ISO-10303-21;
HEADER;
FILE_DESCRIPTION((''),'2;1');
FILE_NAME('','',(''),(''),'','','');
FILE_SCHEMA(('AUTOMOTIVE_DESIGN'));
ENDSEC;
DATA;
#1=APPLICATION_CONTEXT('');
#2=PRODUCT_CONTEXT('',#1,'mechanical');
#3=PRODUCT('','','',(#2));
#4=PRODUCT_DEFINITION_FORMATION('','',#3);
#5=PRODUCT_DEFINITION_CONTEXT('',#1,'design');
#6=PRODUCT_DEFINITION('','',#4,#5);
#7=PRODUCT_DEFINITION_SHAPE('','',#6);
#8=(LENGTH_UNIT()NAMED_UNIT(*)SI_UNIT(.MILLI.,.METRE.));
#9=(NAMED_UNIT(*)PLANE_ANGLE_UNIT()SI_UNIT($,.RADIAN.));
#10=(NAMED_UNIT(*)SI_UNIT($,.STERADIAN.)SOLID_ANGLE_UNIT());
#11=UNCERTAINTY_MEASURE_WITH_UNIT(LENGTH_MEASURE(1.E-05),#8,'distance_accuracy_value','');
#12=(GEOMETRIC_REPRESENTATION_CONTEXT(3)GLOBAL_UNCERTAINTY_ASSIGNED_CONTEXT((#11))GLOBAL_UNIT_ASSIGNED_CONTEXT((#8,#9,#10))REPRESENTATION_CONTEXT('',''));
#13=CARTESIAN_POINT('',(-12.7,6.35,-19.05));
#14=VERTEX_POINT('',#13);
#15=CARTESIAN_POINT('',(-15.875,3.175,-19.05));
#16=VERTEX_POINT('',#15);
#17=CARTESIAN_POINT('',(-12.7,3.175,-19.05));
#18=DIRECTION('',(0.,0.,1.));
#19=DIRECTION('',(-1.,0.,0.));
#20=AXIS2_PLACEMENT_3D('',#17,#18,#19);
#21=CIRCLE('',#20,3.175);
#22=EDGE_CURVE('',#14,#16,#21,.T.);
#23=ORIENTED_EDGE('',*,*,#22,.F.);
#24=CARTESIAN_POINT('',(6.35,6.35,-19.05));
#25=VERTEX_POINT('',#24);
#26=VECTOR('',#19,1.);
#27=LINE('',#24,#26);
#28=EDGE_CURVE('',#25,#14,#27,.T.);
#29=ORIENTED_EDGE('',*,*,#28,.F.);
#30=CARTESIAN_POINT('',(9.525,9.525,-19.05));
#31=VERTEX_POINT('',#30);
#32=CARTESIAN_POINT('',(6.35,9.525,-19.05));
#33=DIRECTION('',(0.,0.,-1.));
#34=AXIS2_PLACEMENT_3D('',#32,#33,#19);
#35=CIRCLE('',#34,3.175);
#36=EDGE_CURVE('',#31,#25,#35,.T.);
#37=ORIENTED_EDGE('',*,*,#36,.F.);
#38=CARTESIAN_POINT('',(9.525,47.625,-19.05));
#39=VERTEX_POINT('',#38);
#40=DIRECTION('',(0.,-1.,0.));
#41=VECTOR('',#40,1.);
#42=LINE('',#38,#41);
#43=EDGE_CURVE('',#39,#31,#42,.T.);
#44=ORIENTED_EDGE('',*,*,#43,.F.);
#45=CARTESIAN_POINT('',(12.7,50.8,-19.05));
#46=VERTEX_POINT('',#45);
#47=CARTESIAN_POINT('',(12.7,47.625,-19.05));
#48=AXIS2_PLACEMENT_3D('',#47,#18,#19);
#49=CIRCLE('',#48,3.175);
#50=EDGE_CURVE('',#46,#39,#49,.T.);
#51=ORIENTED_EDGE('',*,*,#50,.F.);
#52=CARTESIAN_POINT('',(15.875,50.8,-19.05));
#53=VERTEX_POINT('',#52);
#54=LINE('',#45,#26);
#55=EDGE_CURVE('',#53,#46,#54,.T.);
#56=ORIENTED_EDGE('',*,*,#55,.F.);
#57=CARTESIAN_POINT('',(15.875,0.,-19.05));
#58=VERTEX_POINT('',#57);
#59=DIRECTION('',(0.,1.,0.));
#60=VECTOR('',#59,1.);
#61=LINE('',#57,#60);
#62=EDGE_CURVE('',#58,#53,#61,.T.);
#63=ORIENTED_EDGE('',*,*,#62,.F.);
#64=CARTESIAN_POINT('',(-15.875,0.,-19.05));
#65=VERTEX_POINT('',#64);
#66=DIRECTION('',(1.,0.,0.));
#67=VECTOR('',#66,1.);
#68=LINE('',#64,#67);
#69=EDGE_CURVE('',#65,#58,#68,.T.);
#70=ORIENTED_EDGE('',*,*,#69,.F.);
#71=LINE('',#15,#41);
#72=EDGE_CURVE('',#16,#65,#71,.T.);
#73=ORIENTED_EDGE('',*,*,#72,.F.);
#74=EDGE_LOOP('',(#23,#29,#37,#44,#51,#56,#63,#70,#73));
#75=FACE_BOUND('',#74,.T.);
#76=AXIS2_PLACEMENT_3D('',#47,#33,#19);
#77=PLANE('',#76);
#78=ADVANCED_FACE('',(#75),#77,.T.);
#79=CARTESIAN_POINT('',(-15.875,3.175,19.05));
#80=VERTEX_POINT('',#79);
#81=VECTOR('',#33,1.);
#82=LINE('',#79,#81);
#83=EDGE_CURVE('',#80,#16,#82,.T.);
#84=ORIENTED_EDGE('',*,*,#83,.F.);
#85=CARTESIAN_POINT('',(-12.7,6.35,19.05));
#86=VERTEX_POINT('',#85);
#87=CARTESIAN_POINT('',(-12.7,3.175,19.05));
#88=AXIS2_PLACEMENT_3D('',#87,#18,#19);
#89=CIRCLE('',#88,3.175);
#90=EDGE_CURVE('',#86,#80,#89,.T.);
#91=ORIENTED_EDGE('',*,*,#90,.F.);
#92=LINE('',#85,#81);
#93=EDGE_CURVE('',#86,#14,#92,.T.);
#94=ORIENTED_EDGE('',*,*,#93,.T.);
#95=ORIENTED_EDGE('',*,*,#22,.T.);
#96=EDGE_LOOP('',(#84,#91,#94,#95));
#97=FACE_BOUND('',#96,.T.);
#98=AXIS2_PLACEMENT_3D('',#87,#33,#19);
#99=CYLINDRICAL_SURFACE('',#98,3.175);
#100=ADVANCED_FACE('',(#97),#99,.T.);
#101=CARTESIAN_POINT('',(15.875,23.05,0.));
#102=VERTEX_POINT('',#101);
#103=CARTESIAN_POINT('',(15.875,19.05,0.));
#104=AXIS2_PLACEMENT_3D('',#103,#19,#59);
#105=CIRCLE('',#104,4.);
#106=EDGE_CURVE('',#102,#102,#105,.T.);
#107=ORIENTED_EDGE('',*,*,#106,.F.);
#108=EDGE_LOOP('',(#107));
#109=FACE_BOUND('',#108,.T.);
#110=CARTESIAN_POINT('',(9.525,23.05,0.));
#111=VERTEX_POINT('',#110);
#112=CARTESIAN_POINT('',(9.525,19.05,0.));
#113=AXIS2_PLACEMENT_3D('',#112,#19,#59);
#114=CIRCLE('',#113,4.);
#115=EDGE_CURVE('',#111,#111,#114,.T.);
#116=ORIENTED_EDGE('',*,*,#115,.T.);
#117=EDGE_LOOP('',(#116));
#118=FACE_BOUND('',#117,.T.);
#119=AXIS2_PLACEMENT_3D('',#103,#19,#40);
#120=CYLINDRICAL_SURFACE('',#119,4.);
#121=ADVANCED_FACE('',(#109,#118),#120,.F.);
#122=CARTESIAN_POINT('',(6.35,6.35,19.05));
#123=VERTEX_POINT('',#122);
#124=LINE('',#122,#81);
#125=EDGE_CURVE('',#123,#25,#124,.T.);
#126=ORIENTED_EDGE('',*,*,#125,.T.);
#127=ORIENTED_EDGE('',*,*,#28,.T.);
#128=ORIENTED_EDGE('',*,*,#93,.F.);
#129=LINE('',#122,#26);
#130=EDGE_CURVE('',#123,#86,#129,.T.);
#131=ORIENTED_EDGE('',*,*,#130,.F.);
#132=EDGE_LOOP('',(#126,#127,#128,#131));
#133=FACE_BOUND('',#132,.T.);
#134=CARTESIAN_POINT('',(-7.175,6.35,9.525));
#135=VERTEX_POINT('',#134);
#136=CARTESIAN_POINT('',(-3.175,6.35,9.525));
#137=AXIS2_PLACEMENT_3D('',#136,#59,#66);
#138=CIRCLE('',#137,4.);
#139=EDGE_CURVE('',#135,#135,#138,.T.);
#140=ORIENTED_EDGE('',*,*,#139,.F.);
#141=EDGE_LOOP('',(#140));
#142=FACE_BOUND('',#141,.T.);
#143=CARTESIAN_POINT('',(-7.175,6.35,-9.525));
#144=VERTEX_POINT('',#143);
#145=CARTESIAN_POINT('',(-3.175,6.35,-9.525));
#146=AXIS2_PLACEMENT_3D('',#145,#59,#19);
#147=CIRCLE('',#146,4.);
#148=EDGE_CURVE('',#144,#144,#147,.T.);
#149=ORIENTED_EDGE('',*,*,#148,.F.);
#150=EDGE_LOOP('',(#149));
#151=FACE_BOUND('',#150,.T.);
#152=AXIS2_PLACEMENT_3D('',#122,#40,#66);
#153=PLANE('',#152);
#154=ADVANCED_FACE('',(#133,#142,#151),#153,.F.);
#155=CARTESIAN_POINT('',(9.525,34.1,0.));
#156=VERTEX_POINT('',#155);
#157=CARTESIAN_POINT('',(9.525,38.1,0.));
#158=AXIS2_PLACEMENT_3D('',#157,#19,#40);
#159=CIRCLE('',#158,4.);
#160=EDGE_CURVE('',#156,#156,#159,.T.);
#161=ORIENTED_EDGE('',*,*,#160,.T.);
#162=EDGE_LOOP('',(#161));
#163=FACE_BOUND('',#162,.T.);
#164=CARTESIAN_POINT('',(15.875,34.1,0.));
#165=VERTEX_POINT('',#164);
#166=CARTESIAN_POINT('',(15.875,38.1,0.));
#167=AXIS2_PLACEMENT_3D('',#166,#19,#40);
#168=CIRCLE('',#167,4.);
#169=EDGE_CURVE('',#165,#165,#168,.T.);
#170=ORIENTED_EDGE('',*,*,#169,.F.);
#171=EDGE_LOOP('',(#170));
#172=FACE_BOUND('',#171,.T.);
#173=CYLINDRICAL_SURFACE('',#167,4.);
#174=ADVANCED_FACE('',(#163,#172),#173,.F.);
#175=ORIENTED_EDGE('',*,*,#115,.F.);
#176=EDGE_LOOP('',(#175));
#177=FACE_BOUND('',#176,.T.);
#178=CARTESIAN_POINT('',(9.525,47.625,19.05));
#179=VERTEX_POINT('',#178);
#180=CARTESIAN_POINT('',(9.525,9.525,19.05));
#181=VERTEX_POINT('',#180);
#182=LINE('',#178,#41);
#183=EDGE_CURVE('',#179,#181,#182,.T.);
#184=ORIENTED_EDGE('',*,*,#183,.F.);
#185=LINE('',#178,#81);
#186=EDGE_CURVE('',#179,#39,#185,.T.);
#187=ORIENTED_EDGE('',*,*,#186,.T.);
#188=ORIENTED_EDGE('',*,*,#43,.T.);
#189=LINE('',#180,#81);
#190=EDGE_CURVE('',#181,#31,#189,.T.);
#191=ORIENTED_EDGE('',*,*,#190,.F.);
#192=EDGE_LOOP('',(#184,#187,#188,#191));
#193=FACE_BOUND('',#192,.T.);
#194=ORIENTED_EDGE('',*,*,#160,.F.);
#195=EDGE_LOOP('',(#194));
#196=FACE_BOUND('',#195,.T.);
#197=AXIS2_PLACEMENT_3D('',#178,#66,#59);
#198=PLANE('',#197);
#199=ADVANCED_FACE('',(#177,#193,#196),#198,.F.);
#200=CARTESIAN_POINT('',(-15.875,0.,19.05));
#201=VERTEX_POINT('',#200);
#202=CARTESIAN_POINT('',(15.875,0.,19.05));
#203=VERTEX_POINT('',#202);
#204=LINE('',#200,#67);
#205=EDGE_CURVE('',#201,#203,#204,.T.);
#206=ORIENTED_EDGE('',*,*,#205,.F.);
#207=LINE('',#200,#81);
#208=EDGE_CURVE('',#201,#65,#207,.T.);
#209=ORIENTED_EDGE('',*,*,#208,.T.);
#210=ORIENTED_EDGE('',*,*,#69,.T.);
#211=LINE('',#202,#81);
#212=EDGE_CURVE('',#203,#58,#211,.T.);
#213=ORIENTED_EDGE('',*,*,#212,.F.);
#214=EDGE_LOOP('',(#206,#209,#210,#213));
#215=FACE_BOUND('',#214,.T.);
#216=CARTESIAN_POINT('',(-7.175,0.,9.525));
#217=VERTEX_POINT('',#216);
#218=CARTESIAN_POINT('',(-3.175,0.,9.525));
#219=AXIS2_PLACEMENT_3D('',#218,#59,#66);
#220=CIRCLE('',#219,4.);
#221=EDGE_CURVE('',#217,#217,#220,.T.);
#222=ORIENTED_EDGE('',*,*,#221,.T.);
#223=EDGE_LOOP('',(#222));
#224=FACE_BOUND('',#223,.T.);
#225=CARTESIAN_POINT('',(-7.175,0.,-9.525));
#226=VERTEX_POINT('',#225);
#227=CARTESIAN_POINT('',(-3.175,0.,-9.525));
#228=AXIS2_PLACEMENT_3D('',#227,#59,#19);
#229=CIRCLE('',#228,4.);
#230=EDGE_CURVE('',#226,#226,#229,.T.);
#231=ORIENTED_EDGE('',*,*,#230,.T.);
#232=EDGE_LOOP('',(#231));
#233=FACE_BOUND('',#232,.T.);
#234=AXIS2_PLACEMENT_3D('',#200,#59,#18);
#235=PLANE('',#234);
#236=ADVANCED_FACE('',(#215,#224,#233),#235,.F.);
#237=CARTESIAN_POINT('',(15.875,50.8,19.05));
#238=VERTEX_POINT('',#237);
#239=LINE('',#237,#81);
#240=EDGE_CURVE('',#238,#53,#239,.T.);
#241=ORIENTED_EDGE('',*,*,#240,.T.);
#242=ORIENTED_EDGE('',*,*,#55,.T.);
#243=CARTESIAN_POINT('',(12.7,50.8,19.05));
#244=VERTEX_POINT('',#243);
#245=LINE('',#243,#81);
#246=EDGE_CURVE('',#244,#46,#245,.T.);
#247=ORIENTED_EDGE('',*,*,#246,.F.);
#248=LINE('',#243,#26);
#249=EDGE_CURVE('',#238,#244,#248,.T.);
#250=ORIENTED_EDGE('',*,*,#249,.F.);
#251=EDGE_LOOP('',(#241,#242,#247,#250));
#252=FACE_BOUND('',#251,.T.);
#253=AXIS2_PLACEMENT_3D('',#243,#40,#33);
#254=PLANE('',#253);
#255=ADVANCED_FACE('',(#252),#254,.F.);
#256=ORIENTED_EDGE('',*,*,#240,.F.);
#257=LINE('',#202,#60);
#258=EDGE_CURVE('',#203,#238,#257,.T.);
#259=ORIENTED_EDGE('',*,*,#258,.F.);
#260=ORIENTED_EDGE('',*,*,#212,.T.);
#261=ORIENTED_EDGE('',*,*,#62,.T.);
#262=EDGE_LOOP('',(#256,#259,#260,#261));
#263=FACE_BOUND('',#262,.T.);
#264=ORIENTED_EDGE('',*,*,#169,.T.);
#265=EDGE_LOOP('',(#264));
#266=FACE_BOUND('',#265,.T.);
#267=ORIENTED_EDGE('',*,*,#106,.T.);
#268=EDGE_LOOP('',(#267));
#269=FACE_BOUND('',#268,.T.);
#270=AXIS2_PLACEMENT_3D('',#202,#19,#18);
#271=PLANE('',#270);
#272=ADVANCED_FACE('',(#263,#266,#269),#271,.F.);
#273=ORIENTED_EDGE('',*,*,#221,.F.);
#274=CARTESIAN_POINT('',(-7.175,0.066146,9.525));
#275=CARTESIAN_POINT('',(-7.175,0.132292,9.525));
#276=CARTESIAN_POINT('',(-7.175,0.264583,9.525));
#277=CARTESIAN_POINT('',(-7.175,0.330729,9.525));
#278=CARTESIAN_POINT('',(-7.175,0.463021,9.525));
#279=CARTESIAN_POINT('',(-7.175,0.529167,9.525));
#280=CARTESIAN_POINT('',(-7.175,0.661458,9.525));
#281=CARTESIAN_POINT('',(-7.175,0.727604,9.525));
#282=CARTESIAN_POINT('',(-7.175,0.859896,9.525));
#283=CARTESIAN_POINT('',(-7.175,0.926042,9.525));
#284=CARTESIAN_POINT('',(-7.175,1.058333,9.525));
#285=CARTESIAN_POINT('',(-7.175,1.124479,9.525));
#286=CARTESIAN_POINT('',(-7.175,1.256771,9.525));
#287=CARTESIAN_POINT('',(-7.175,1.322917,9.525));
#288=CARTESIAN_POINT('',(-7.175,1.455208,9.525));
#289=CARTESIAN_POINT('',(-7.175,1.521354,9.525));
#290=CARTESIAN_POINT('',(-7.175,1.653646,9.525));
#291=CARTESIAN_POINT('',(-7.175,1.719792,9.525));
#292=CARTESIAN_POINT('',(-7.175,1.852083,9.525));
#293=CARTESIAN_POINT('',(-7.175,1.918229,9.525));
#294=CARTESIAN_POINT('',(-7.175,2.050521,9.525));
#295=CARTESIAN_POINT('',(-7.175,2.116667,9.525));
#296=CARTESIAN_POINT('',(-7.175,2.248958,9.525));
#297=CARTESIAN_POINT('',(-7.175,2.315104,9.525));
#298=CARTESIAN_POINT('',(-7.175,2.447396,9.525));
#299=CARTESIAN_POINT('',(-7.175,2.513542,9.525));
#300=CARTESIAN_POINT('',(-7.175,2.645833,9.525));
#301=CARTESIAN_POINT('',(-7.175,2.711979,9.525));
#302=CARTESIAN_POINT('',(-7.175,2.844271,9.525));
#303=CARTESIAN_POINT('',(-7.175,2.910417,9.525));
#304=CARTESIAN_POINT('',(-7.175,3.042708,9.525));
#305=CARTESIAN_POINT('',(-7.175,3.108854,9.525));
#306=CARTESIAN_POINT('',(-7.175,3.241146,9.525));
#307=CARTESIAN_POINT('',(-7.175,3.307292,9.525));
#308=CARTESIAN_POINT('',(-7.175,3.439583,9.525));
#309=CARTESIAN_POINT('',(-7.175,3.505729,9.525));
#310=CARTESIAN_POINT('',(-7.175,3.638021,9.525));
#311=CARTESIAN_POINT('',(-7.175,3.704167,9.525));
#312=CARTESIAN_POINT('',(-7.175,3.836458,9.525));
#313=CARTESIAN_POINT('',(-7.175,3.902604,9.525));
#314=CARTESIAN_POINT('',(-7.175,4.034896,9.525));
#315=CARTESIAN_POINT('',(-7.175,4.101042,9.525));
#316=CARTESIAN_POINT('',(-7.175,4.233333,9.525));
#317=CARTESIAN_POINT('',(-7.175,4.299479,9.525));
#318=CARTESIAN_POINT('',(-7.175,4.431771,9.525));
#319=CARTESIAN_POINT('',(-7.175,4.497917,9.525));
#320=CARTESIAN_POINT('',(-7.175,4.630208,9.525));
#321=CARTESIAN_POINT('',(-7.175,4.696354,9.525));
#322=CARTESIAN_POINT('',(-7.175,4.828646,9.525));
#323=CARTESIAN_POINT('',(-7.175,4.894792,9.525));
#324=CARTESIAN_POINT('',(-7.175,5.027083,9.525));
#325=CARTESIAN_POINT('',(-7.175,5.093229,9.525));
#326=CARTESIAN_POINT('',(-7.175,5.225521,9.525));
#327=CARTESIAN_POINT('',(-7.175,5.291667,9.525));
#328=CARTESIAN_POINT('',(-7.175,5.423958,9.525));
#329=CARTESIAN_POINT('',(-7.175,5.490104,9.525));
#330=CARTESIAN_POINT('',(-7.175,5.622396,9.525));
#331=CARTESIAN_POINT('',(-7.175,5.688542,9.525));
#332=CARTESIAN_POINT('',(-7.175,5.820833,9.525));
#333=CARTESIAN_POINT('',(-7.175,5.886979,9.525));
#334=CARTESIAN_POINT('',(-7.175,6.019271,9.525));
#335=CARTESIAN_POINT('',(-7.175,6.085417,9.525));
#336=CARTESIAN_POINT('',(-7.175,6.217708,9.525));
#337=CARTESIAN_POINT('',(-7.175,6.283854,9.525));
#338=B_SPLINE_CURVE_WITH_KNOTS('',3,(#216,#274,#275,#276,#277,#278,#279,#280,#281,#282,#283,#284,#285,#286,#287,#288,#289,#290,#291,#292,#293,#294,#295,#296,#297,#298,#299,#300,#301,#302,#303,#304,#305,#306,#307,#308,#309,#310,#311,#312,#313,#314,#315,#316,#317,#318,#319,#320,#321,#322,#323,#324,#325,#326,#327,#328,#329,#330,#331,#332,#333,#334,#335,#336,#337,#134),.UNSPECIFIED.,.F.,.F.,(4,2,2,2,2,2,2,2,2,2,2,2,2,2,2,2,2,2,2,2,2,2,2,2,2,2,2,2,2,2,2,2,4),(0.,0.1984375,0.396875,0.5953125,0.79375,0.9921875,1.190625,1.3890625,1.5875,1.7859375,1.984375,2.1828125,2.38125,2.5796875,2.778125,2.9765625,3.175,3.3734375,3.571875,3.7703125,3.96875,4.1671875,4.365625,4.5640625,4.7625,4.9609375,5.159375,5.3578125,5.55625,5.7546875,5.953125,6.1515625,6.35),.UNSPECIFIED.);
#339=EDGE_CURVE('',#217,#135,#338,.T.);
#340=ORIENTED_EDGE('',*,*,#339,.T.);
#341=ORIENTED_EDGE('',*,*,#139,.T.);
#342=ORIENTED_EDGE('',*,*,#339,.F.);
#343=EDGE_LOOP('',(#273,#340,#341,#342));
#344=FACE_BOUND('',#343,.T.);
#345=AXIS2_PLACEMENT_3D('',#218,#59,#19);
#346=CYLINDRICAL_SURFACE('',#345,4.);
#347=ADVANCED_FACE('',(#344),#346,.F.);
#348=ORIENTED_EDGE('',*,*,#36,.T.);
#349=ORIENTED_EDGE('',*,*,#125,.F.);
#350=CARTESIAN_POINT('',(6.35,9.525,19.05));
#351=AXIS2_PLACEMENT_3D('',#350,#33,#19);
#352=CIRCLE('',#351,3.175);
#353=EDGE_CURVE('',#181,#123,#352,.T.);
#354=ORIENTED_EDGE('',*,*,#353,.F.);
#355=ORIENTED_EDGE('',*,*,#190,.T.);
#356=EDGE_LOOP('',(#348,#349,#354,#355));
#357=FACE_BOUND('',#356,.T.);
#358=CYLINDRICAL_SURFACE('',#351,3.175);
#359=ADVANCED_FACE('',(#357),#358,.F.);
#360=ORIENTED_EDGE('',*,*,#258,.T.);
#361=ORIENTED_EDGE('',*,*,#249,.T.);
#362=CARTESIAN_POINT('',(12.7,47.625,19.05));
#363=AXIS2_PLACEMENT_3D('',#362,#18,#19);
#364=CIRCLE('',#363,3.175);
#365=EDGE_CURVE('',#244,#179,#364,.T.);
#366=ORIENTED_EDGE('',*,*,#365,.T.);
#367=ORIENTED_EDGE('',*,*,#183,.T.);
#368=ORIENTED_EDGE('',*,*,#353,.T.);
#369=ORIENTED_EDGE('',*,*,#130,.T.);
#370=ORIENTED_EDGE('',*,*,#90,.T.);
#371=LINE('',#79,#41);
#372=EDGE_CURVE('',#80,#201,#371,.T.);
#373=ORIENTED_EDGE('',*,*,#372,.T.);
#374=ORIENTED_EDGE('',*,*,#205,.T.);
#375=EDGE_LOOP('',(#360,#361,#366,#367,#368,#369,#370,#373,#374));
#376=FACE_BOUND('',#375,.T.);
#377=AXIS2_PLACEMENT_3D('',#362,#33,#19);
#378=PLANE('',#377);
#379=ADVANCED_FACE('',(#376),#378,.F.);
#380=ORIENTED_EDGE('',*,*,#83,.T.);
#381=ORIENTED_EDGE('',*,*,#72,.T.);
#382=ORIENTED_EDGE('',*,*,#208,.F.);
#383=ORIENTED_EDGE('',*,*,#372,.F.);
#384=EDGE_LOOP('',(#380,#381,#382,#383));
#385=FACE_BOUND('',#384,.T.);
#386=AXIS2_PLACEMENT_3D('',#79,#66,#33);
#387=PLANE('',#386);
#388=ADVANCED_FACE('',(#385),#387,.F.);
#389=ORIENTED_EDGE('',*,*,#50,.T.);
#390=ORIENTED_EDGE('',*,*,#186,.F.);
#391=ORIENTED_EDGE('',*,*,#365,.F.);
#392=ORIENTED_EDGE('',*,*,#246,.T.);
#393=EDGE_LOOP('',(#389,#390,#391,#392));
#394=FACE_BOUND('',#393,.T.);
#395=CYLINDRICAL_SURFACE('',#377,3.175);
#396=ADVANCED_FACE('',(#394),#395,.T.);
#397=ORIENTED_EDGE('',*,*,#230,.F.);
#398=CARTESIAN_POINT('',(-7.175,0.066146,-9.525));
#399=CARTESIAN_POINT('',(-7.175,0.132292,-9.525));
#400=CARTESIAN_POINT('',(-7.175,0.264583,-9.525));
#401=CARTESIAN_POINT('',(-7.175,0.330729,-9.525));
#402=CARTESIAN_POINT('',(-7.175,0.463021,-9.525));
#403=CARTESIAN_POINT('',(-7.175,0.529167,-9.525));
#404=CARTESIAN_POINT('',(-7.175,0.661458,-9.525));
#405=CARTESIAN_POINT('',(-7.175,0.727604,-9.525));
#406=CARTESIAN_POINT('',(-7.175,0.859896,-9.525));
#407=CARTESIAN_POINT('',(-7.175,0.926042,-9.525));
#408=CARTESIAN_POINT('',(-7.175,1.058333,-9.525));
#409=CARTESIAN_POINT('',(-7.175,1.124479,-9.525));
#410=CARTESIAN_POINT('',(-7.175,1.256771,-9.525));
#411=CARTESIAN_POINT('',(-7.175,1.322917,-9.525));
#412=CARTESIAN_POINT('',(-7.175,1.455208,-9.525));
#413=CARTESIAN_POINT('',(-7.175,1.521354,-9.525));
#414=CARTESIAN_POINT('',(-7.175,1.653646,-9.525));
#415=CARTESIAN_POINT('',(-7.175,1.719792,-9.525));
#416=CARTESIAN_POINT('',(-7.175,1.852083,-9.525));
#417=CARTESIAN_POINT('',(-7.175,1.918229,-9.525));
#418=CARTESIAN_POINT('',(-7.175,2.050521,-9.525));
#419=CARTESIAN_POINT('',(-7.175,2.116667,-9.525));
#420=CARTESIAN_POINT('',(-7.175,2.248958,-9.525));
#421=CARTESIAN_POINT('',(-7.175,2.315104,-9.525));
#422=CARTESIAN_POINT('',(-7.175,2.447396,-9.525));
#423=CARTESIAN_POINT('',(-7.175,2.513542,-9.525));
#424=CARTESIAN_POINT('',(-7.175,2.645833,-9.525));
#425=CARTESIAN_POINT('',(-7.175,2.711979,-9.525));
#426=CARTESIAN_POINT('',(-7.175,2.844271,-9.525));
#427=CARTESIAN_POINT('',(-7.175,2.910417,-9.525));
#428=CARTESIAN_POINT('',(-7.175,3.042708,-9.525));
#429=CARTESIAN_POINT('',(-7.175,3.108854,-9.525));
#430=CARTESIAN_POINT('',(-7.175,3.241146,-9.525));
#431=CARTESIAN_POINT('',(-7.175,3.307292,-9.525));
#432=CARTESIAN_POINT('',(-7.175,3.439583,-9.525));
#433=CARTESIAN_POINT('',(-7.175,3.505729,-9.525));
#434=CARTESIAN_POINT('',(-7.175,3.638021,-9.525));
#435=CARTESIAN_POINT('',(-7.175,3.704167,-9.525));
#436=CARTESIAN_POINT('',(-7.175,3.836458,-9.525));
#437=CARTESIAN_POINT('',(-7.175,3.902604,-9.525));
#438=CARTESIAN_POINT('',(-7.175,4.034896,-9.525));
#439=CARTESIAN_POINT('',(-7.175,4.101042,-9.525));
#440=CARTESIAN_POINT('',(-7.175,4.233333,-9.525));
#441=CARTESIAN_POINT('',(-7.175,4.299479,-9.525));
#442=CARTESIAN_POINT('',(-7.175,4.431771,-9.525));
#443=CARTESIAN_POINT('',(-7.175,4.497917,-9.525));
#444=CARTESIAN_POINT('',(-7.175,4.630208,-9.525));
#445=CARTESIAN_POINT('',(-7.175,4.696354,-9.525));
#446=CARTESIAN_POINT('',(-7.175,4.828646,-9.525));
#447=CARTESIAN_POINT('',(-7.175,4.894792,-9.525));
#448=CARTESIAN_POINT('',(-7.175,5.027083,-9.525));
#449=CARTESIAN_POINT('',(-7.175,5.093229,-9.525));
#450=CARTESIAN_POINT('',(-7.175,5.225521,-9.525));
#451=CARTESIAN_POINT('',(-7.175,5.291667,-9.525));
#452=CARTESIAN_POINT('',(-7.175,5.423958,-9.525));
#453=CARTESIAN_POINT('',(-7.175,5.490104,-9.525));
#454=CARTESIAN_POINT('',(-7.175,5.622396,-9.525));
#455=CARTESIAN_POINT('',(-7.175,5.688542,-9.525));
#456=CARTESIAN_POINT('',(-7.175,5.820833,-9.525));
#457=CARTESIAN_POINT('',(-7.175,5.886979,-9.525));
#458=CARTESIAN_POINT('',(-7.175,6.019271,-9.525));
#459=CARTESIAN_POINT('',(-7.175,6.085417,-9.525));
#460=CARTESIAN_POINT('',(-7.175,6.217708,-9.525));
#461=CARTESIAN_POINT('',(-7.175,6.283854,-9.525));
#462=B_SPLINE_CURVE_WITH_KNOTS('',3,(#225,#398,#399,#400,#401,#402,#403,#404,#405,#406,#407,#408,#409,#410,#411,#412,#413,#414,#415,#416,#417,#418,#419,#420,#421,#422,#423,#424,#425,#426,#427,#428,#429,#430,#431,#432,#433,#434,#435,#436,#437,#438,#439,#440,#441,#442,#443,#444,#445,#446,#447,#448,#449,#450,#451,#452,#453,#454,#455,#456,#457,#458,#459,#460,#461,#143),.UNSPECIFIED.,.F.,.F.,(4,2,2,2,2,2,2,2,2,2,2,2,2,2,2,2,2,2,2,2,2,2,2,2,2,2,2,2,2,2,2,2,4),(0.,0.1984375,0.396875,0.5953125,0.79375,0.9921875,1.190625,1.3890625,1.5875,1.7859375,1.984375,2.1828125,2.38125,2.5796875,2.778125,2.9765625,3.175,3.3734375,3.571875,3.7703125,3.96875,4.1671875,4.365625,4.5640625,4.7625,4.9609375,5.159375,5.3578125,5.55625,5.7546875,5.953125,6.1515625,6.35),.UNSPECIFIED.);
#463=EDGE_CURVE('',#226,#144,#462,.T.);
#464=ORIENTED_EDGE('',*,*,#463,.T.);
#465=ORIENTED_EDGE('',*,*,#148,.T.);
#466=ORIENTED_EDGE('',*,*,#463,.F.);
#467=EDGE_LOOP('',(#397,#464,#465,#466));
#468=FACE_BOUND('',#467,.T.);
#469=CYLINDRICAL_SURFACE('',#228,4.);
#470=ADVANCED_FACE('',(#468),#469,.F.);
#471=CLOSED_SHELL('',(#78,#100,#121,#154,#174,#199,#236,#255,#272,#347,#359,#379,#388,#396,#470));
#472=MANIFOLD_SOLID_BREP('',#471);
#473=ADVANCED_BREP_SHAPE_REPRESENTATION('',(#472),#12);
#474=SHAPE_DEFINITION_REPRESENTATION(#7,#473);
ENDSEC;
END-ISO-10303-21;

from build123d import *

# Parameters (mm, degrees)
BOSS_EXTRUDE1_DEPTH = 19.05
SKETCH3_R           = 4
CUT_EXTRUDE1_DEPTH  = 51.899122045
SKETCH4_R           = 4
CUT_EXTRUDE2_DEPTH  = 60.905780189


with BuildPart() as part:
    # Sketch2 → Boss-Extrude1 (new, symmetric)
    with BuildSketch(Plane.XY):
        with BuildLine():
            Line((-15.875, 0), (15.875, 0))
            Line((15.875, 0), (15.875, 50.8))
            Line((15.875, 50.8), (12.7, 50.8))
            ThreePointArc((12.7, 50.8), (10.45493597, 49.87006403), (9.525, 47.625))
            Line((9.525, 47.625), (9.525, 9.525))
            ThreePointArc((9.525, 9.525), (8.59506403, 7.27993597), (6.35, 6.35))
            Line((6.35, 6.35), (-12.7, 6.35))
            ThreePointArc((-12.7, 6.35), (-14.94506403, 5.42006403), (-15.875, 3.175))
            Line((-15.875, 3.175), (-15.875, 0))
        make_face()
    extrude(amount=BOSS_EXTRUDE1_DEPTH, both=True)

    # Sketch3 → Cut-Extrude1 (cut, through all)
    with BuildSketch(Plane(origin=(0, 6.35, 0), x_dir=(1, 0, 0), z_dir=(0, 1, 0))):
        with Locations(Location((-3.175, 9.525, 0), (0, 0, 180))):
            Circle(SKETCH3_R)
        with Locations(Location((-3.175, -9.525, 0), (0, 0, 180))):
            Circle(SKETCH3_R)
    extrude(amount=-CUT_EXTRUDE1_DEPTH, mode=Mode.SUBTRACT)

    # Sketch4 → Cut-Extrude2 (cut, through all)
    with BuildSketch(Plane.ZY.offset(-9.525)):
        with Locations(Location((0, 38.1, 0), (0, 0, 270))):
            Circle(SKETCH4_R)
        with Locations(Location((0, 19.05, 0), (0, 0, 90))):
            Circle(SKETCH4_R)
    extrude(amount=-CUT_EXTRUDE2_DEPTH, mode=Mode.SUBTRACT)


solid = part.part
